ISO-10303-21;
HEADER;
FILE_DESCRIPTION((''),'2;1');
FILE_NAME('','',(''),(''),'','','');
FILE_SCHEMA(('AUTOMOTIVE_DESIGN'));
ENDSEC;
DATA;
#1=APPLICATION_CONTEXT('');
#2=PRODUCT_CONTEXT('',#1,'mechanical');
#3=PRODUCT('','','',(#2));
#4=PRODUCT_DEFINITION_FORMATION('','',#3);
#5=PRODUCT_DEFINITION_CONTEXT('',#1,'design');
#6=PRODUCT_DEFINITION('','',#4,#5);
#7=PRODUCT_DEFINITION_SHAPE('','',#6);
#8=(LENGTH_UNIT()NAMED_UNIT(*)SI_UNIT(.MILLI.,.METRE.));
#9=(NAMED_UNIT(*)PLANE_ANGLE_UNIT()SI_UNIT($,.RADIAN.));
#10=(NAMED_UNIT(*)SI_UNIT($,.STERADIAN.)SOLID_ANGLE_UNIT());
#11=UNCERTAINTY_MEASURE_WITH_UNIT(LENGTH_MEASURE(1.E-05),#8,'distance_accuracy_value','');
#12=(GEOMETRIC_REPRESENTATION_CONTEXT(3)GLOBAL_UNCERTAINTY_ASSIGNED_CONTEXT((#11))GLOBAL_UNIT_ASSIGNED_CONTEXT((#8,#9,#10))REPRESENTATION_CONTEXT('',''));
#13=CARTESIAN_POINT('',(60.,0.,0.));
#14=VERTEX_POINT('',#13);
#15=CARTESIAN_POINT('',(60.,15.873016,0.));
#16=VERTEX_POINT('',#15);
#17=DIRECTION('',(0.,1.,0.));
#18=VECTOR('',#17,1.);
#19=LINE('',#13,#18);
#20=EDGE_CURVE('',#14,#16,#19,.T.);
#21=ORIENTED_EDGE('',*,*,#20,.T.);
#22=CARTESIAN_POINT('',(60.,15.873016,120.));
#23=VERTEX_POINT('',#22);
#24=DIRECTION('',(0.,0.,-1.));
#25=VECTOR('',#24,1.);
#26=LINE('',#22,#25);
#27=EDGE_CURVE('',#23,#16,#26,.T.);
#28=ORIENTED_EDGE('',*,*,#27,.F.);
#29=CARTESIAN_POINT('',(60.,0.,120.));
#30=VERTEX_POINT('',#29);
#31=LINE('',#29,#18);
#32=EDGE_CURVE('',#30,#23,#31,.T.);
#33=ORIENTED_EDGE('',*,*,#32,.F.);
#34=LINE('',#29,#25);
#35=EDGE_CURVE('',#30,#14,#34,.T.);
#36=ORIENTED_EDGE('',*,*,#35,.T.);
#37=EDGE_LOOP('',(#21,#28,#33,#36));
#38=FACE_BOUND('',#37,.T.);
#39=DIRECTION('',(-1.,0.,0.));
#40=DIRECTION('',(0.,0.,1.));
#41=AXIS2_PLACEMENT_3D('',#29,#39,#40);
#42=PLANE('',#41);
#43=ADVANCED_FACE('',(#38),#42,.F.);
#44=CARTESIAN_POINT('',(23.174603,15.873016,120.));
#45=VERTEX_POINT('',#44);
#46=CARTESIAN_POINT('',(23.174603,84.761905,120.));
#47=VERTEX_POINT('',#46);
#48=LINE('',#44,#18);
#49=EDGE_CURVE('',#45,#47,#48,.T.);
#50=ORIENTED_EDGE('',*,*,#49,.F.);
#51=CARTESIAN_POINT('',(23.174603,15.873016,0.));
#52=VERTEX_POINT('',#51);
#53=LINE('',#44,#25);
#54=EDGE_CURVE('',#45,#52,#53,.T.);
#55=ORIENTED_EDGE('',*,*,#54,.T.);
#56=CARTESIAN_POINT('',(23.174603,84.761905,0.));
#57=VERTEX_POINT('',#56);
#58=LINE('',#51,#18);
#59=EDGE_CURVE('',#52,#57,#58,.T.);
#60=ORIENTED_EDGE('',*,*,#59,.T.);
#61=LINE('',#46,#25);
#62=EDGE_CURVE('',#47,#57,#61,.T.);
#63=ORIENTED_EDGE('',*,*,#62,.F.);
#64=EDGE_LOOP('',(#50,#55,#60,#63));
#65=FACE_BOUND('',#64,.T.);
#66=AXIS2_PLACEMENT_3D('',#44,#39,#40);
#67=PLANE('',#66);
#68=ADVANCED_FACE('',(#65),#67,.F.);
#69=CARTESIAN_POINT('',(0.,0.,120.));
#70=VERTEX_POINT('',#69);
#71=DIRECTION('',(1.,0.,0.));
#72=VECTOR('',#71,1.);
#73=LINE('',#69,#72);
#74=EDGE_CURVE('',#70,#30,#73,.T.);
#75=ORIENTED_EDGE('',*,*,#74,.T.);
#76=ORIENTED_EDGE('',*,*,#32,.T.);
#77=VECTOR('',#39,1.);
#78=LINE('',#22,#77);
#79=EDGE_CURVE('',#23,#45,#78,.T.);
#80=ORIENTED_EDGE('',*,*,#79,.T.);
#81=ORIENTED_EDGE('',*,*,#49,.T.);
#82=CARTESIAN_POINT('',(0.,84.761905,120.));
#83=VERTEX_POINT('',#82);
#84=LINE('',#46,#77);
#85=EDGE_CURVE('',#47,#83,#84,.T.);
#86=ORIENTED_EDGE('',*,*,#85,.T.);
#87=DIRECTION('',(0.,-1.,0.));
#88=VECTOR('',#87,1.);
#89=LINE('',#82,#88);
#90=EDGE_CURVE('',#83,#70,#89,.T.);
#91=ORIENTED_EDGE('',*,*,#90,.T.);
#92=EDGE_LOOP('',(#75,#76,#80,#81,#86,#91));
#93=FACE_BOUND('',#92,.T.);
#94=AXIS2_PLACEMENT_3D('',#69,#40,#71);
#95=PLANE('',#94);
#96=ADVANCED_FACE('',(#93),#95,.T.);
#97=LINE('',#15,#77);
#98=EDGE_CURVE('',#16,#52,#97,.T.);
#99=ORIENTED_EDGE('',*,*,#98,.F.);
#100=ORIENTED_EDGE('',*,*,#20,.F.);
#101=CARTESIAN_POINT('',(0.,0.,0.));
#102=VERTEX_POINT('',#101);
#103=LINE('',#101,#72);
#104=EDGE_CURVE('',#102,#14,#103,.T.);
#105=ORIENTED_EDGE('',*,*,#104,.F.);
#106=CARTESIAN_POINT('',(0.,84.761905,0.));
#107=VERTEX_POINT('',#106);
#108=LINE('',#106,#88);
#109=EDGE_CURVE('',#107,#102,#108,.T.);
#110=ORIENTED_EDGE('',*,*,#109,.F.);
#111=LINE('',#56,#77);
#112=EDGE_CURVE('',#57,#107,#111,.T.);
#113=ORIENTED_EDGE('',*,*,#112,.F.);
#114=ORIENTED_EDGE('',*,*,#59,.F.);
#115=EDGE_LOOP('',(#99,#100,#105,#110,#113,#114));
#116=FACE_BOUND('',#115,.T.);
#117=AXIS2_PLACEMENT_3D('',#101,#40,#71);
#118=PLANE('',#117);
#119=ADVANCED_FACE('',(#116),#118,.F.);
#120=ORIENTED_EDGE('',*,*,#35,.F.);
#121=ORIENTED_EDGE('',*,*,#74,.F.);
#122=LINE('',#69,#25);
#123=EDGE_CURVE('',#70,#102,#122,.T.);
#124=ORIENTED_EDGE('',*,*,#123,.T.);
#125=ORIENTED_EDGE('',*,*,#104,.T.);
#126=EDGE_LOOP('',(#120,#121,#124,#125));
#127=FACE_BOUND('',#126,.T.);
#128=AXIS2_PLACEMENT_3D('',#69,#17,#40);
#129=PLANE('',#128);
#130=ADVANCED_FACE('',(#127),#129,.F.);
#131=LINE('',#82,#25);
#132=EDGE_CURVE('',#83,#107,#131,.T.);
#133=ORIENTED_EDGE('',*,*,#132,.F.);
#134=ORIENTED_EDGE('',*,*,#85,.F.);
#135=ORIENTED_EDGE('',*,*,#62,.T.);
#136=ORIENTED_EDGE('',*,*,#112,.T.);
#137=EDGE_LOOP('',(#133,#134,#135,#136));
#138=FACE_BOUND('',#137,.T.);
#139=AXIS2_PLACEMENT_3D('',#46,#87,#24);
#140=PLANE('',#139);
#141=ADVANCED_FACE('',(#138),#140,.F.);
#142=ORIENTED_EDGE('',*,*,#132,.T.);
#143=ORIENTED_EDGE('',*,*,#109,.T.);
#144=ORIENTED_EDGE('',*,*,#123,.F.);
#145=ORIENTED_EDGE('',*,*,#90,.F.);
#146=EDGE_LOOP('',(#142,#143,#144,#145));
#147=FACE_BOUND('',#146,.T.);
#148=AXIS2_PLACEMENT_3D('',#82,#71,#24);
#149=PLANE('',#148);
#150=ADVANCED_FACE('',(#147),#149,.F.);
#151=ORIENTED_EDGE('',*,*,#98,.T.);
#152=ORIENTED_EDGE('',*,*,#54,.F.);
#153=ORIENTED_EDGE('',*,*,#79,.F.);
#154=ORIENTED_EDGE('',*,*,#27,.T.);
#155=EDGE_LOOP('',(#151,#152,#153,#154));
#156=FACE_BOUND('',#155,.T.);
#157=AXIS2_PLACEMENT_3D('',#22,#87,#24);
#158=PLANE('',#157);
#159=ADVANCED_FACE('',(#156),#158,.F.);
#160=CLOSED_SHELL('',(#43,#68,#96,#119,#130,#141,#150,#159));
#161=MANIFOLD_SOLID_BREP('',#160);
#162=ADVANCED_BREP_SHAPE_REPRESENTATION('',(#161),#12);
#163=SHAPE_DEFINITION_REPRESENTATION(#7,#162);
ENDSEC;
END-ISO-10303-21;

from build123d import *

# Parameters (mm, degrees)
BOSS_EXTRUDE1_DEPTH = 120


with BuildPart() as part:
    # Sketch1 → Boss-Extrude1 (new body)
    with BuildSketch(Plane.XY):
        Polygon((0, 0), (60, 0), (60, 15.873015873), (23.174603175, 15.873015873), (23.174603175, 84.761904762), (0, 84.761904762), align=None)
    extrude(amount=BOSS_EXTRUDE1_DEPTH)


solid = part.part
